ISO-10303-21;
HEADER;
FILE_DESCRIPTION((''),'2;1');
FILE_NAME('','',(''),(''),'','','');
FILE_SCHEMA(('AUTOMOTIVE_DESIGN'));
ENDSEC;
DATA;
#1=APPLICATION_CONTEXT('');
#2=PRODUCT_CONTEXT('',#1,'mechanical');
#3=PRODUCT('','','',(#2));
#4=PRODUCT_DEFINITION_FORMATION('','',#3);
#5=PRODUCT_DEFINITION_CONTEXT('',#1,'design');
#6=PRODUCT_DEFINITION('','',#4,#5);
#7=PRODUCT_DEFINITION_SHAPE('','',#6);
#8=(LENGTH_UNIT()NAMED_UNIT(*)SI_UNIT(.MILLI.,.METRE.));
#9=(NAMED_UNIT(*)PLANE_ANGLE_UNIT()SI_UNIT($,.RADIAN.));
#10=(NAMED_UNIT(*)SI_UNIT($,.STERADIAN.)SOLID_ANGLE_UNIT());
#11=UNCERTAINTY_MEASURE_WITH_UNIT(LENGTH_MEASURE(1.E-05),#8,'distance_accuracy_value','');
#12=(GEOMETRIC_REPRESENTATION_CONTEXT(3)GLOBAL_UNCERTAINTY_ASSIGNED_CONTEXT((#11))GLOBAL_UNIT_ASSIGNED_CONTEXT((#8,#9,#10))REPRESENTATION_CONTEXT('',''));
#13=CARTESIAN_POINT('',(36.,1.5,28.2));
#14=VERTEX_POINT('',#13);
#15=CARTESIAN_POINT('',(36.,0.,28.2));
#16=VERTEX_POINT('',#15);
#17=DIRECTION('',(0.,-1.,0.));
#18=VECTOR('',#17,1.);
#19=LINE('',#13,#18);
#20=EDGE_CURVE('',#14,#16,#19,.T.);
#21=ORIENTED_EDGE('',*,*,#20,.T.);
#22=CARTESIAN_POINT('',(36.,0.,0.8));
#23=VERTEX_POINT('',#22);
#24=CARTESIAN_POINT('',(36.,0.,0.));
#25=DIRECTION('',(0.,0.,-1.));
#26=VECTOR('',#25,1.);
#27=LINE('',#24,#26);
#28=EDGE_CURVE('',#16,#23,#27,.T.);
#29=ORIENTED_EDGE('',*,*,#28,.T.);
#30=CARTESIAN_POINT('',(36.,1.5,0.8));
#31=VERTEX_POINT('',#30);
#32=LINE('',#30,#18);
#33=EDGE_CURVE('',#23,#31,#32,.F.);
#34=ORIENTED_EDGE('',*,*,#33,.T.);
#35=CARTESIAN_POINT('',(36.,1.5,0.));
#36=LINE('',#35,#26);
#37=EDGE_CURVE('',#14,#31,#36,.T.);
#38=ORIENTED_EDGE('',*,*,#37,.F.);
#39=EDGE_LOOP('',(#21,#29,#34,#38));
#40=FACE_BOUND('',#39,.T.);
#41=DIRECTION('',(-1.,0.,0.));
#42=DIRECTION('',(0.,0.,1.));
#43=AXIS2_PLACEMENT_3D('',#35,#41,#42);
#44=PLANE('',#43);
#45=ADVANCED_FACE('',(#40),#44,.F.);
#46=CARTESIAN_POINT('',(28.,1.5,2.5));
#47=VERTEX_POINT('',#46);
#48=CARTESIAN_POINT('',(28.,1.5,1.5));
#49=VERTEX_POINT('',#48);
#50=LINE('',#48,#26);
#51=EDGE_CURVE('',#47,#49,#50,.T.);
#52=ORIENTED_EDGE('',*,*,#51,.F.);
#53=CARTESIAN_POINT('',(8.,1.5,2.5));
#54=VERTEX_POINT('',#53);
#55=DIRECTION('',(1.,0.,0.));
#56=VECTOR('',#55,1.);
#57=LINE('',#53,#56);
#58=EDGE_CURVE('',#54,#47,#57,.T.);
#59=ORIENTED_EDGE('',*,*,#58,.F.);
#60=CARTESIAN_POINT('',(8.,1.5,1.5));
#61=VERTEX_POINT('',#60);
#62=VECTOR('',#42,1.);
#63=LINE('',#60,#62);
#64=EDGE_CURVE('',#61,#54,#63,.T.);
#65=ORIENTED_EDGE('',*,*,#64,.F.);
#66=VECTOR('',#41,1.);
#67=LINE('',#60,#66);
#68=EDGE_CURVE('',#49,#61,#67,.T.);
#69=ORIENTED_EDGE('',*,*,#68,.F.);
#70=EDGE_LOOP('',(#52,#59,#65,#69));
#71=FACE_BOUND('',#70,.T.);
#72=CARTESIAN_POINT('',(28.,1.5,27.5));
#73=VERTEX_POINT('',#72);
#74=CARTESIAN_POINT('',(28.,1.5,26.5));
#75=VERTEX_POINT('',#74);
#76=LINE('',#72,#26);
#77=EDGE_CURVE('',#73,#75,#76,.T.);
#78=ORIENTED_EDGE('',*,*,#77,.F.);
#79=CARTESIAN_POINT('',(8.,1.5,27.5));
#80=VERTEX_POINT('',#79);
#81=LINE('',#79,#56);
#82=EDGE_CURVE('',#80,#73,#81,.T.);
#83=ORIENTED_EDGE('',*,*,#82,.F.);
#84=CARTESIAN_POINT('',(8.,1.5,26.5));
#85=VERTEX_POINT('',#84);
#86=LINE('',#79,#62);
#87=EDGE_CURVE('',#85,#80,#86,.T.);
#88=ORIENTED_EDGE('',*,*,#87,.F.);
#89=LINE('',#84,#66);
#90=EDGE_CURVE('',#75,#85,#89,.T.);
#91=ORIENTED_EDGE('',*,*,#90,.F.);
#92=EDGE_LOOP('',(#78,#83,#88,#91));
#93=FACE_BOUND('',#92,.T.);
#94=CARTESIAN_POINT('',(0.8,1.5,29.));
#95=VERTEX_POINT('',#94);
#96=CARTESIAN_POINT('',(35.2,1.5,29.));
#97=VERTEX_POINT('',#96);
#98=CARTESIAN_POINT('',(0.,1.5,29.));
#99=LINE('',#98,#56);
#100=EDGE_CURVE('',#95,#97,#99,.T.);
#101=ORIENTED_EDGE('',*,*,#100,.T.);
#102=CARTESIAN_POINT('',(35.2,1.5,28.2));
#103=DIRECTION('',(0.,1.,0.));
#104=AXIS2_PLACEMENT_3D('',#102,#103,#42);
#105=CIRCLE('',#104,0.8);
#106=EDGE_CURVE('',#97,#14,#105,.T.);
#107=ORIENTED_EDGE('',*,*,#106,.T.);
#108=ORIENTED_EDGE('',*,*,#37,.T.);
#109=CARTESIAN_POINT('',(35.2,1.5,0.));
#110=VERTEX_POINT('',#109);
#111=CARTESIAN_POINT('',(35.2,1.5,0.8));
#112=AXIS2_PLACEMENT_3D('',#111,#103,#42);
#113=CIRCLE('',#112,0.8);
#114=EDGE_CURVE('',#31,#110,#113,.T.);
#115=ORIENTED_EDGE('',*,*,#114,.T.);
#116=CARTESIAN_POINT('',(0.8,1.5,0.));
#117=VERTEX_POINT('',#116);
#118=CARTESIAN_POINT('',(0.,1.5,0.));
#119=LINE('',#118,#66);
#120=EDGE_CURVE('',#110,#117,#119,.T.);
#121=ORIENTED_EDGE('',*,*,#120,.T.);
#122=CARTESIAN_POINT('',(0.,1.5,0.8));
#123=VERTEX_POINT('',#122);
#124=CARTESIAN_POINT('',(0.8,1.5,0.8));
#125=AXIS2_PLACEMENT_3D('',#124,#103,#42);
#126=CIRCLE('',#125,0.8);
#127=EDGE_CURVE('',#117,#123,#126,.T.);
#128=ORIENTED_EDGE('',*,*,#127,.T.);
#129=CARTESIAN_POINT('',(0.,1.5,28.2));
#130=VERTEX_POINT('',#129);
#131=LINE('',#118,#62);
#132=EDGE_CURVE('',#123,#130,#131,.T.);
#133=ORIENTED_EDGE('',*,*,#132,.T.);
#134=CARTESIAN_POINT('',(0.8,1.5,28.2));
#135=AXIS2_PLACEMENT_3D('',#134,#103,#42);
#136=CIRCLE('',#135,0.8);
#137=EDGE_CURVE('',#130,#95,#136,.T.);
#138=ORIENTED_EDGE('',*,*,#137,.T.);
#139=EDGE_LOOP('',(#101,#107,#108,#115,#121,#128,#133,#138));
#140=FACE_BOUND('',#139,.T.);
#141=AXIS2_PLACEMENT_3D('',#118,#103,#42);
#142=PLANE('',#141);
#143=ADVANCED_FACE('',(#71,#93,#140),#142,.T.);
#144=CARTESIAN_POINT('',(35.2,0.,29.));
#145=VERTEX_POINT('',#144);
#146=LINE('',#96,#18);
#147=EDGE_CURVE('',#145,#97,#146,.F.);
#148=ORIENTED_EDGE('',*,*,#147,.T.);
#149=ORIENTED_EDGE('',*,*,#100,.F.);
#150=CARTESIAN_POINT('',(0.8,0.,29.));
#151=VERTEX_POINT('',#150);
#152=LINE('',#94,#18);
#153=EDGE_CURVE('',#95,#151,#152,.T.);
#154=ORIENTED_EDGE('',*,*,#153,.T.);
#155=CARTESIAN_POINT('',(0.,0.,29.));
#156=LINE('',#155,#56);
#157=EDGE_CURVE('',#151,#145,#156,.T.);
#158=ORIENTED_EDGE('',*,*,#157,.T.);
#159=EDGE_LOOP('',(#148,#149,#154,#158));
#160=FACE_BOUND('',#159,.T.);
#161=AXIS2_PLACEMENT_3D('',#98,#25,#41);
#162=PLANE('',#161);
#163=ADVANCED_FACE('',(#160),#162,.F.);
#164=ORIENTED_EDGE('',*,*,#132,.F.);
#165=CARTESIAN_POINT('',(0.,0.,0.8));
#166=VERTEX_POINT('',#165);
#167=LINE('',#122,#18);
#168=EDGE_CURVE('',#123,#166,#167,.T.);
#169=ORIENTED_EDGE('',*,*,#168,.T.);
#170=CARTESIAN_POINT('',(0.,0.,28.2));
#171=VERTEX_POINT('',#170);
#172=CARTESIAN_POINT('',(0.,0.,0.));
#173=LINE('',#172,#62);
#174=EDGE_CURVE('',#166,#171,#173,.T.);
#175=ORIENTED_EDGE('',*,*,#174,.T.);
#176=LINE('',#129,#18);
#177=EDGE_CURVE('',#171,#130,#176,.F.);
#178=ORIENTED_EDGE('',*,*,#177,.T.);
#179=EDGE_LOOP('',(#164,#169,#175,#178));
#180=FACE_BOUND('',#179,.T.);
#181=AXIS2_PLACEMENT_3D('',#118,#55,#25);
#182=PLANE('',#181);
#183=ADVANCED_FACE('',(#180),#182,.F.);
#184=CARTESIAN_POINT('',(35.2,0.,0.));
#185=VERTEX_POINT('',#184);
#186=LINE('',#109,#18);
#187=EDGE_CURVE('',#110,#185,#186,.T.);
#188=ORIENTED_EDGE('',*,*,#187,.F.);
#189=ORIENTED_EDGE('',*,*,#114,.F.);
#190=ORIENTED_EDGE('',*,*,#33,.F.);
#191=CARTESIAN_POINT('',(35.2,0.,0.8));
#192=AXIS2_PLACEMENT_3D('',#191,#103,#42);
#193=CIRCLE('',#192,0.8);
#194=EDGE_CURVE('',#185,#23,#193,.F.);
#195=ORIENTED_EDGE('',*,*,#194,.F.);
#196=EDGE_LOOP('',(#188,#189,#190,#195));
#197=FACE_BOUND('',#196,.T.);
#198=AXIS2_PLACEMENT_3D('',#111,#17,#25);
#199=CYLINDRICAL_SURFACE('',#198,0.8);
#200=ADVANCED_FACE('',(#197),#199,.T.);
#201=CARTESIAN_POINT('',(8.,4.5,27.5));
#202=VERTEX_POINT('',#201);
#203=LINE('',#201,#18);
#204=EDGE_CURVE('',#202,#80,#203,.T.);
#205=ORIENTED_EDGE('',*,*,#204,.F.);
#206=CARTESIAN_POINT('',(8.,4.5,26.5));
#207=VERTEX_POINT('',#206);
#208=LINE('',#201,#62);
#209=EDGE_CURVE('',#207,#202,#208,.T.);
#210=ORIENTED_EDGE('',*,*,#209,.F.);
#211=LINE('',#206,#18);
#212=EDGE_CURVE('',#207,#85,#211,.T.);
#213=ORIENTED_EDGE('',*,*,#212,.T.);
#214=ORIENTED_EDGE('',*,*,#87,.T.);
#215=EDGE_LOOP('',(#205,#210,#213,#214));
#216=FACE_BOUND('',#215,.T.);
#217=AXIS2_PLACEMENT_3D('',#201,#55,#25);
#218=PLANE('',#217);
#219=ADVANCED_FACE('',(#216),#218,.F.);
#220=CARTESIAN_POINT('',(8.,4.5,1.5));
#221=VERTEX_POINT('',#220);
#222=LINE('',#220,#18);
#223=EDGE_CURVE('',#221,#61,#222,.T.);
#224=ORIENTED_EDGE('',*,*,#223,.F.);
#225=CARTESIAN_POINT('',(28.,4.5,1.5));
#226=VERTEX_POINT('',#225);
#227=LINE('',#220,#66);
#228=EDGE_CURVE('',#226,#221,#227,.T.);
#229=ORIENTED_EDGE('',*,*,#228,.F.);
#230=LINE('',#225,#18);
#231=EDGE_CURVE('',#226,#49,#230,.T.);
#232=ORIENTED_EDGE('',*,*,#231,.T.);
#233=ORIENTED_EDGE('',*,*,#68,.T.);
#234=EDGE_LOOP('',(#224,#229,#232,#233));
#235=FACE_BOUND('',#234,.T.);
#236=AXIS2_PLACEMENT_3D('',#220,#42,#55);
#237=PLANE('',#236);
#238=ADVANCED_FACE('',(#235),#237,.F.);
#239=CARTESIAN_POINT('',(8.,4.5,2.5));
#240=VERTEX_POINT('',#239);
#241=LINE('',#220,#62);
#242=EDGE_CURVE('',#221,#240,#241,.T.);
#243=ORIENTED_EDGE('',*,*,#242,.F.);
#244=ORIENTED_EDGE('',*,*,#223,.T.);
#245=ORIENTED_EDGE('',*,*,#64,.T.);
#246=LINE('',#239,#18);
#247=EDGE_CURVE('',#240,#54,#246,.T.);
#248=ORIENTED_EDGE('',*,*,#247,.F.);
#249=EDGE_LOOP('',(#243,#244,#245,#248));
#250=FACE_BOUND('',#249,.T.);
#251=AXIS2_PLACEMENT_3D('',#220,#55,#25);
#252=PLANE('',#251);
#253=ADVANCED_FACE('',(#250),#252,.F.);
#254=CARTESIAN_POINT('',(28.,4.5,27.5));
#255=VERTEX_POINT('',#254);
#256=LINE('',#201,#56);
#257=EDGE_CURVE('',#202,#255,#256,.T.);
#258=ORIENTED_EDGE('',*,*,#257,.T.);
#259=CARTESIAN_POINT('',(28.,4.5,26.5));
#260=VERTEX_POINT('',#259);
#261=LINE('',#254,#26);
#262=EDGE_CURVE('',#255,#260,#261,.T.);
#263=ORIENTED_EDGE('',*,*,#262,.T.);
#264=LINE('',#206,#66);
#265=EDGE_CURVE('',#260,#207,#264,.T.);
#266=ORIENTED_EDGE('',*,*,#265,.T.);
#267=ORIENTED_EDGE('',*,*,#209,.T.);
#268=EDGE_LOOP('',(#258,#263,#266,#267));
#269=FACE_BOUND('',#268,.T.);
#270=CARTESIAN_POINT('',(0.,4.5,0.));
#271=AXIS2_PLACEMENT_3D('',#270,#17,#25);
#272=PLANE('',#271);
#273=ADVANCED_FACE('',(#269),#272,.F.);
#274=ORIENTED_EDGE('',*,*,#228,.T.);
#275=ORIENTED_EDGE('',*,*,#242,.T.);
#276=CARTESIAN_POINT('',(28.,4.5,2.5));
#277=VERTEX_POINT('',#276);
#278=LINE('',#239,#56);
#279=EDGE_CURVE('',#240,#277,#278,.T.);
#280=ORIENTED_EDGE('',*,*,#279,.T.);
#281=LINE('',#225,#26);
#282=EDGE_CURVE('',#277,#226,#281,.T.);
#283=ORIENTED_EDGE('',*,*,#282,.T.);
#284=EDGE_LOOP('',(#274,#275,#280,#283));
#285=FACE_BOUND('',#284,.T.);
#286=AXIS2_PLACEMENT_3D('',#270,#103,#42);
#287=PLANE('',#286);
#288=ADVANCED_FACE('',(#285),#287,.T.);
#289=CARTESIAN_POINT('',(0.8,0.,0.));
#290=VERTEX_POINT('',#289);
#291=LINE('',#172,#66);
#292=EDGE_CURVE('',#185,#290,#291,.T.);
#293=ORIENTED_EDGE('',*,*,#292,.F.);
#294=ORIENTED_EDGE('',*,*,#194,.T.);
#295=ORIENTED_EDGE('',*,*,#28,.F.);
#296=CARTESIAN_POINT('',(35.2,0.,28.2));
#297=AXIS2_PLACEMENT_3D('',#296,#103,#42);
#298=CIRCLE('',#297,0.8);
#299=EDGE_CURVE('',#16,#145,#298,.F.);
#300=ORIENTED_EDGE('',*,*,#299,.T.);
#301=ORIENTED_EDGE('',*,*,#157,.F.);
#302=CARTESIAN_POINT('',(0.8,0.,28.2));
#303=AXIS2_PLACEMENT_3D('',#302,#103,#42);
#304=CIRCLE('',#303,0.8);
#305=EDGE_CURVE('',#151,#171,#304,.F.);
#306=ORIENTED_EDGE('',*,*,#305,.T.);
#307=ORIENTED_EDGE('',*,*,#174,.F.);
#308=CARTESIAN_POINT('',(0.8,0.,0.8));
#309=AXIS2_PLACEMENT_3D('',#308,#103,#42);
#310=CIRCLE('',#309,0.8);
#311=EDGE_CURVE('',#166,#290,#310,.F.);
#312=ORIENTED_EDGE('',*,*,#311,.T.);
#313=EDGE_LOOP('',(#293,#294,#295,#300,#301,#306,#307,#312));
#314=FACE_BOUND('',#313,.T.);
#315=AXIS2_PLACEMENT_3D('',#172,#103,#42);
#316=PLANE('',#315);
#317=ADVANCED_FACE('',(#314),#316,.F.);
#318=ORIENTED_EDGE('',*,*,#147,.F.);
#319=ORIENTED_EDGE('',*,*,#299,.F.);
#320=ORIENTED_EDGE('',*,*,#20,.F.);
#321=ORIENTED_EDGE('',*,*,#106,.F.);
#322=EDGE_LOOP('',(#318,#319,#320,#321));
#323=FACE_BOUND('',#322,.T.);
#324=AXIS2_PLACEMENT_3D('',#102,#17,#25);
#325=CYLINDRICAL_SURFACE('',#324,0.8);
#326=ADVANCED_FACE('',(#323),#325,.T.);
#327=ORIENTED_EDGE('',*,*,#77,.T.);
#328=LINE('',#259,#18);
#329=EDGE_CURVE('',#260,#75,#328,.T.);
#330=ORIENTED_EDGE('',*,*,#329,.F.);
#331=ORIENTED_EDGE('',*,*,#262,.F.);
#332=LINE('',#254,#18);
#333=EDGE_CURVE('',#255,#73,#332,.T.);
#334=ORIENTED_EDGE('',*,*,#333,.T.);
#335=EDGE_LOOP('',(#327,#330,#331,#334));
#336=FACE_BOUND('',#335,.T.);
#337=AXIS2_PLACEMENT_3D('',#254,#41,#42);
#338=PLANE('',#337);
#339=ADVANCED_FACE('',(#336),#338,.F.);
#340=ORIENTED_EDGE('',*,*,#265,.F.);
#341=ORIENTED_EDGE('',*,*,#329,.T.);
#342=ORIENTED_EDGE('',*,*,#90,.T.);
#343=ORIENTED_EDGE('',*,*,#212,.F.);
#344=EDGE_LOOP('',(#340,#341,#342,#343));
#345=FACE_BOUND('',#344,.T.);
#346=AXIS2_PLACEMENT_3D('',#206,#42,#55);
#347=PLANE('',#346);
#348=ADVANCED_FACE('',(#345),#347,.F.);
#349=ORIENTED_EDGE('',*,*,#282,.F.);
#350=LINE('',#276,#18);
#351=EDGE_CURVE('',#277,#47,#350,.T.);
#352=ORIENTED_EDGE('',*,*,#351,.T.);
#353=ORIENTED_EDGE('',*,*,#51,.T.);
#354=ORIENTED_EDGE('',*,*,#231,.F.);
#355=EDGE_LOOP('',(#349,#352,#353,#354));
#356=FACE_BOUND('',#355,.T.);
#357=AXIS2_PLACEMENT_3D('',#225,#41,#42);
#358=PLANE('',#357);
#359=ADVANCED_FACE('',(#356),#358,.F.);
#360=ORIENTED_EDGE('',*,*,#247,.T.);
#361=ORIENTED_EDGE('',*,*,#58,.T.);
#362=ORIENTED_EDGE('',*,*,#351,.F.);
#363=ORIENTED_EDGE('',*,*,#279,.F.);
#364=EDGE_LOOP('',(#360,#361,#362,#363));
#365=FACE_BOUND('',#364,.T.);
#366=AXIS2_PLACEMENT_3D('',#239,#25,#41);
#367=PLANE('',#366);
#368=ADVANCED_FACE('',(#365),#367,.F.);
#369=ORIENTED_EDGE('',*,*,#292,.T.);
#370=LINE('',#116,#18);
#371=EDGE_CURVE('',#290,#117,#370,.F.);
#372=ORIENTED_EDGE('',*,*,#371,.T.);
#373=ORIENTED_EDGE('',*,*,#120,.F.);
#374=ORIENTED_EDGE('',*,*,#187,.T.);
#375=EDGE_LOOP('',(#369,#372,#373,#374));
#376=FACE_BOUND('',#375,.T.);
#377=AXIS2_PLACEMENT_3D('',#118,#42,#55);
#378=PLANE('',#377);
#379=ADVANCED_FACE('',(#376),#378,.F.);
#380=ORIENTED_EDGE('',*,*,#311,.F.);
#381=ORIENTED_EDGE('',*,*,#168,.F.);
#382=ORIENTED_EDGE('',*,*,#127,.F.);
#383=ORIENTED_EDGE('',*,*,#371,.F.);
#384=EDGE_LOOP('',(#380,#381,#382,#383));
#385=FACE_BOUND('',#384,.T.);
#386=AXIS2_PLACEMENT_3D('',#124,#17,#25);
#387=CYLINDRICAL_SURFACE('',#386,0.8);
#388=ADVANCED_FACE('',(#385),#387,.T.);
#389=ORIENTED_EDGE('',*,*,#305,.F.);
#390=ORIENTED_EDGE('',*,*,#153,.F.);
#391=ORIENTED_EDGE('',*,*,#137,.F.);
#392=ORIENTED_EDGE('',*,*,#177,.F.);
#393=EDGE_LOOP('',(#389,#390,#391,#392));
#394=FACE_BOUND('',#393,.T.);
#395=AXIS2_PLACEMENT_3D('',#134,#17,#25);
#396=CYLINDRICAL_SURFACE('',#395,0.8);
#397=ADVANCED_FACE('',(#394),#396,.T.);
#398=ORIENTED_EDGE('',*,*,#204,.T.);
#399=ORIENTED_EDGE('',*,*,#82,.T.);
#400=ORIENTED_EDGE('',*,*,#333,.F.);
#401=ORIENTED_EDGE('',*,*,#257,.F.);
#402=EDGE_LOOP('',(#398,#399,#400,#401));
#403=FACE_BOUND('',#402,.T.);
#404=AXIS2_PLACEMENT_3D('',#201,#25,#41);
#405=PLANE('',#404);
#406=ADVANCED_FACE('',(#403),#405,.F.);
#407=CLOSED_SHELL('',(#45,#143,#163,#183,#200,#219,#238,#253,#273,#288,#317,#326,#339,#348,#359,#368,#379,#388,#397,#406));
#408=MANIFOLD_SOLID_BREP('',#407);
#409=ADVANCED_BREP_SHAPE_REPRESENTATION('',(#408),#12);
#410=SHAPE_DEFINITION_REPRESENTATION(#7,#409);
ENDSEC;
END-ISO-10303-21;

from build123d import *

# Parameters (mm, degrees)
SKETCH1_W           = 36
SKETCH1_H           = 29
BOSS_EXTRUDE1_DEPTH = 1.5
FILLET1_R           = 0.8
SKETCH2_W           = 20
SKETCH2_H           = 1
BOSS_EXTRUDE2_DEPTH = 3


with BuildPart() as part:
    # Sketch1 → Boss-Extrude1 (new body)
    with BuildSketch(Plane(origin=(0, 0, 0), x_dir=(1, 0, 0), z_dir=(0, 1, 0))):
        with Locations((18, -14.5)):
            Rectangle(SKETCH1_W, SKETCH1_H)
    extrude(amount=BOSS_EXTRUDE1_DEPTH)

    # Fillet1
    fillet1_edges = [part.edges().sort_by_distance(p)[0] for p in [
        (0, 0.75, 0),
        (36, 0.75, 0),
        (36, 0.75, 29),
        (0, 0.75, 29),
    ]]
    fillet(fillet1_edges, radius=FILLET1_R)

    # Sketch2 → Boss-Extrude2 (add)
    with BuildSketch(Plane(origin=(0, 1.5, 0), x_dir=(1, 0, 0), z_dir=(0, 1, 0))):
        with Locations((18, -2)):
            Rectangle(SKETCH2_W, SKETCH2_H)
        with Locations((18, -27)):
            Rectangle(SKETCH2_W, SKETCH2_H)
    extrude(amount=BOSS_EXTRUDE2_DEPTH)


solid = part.part
